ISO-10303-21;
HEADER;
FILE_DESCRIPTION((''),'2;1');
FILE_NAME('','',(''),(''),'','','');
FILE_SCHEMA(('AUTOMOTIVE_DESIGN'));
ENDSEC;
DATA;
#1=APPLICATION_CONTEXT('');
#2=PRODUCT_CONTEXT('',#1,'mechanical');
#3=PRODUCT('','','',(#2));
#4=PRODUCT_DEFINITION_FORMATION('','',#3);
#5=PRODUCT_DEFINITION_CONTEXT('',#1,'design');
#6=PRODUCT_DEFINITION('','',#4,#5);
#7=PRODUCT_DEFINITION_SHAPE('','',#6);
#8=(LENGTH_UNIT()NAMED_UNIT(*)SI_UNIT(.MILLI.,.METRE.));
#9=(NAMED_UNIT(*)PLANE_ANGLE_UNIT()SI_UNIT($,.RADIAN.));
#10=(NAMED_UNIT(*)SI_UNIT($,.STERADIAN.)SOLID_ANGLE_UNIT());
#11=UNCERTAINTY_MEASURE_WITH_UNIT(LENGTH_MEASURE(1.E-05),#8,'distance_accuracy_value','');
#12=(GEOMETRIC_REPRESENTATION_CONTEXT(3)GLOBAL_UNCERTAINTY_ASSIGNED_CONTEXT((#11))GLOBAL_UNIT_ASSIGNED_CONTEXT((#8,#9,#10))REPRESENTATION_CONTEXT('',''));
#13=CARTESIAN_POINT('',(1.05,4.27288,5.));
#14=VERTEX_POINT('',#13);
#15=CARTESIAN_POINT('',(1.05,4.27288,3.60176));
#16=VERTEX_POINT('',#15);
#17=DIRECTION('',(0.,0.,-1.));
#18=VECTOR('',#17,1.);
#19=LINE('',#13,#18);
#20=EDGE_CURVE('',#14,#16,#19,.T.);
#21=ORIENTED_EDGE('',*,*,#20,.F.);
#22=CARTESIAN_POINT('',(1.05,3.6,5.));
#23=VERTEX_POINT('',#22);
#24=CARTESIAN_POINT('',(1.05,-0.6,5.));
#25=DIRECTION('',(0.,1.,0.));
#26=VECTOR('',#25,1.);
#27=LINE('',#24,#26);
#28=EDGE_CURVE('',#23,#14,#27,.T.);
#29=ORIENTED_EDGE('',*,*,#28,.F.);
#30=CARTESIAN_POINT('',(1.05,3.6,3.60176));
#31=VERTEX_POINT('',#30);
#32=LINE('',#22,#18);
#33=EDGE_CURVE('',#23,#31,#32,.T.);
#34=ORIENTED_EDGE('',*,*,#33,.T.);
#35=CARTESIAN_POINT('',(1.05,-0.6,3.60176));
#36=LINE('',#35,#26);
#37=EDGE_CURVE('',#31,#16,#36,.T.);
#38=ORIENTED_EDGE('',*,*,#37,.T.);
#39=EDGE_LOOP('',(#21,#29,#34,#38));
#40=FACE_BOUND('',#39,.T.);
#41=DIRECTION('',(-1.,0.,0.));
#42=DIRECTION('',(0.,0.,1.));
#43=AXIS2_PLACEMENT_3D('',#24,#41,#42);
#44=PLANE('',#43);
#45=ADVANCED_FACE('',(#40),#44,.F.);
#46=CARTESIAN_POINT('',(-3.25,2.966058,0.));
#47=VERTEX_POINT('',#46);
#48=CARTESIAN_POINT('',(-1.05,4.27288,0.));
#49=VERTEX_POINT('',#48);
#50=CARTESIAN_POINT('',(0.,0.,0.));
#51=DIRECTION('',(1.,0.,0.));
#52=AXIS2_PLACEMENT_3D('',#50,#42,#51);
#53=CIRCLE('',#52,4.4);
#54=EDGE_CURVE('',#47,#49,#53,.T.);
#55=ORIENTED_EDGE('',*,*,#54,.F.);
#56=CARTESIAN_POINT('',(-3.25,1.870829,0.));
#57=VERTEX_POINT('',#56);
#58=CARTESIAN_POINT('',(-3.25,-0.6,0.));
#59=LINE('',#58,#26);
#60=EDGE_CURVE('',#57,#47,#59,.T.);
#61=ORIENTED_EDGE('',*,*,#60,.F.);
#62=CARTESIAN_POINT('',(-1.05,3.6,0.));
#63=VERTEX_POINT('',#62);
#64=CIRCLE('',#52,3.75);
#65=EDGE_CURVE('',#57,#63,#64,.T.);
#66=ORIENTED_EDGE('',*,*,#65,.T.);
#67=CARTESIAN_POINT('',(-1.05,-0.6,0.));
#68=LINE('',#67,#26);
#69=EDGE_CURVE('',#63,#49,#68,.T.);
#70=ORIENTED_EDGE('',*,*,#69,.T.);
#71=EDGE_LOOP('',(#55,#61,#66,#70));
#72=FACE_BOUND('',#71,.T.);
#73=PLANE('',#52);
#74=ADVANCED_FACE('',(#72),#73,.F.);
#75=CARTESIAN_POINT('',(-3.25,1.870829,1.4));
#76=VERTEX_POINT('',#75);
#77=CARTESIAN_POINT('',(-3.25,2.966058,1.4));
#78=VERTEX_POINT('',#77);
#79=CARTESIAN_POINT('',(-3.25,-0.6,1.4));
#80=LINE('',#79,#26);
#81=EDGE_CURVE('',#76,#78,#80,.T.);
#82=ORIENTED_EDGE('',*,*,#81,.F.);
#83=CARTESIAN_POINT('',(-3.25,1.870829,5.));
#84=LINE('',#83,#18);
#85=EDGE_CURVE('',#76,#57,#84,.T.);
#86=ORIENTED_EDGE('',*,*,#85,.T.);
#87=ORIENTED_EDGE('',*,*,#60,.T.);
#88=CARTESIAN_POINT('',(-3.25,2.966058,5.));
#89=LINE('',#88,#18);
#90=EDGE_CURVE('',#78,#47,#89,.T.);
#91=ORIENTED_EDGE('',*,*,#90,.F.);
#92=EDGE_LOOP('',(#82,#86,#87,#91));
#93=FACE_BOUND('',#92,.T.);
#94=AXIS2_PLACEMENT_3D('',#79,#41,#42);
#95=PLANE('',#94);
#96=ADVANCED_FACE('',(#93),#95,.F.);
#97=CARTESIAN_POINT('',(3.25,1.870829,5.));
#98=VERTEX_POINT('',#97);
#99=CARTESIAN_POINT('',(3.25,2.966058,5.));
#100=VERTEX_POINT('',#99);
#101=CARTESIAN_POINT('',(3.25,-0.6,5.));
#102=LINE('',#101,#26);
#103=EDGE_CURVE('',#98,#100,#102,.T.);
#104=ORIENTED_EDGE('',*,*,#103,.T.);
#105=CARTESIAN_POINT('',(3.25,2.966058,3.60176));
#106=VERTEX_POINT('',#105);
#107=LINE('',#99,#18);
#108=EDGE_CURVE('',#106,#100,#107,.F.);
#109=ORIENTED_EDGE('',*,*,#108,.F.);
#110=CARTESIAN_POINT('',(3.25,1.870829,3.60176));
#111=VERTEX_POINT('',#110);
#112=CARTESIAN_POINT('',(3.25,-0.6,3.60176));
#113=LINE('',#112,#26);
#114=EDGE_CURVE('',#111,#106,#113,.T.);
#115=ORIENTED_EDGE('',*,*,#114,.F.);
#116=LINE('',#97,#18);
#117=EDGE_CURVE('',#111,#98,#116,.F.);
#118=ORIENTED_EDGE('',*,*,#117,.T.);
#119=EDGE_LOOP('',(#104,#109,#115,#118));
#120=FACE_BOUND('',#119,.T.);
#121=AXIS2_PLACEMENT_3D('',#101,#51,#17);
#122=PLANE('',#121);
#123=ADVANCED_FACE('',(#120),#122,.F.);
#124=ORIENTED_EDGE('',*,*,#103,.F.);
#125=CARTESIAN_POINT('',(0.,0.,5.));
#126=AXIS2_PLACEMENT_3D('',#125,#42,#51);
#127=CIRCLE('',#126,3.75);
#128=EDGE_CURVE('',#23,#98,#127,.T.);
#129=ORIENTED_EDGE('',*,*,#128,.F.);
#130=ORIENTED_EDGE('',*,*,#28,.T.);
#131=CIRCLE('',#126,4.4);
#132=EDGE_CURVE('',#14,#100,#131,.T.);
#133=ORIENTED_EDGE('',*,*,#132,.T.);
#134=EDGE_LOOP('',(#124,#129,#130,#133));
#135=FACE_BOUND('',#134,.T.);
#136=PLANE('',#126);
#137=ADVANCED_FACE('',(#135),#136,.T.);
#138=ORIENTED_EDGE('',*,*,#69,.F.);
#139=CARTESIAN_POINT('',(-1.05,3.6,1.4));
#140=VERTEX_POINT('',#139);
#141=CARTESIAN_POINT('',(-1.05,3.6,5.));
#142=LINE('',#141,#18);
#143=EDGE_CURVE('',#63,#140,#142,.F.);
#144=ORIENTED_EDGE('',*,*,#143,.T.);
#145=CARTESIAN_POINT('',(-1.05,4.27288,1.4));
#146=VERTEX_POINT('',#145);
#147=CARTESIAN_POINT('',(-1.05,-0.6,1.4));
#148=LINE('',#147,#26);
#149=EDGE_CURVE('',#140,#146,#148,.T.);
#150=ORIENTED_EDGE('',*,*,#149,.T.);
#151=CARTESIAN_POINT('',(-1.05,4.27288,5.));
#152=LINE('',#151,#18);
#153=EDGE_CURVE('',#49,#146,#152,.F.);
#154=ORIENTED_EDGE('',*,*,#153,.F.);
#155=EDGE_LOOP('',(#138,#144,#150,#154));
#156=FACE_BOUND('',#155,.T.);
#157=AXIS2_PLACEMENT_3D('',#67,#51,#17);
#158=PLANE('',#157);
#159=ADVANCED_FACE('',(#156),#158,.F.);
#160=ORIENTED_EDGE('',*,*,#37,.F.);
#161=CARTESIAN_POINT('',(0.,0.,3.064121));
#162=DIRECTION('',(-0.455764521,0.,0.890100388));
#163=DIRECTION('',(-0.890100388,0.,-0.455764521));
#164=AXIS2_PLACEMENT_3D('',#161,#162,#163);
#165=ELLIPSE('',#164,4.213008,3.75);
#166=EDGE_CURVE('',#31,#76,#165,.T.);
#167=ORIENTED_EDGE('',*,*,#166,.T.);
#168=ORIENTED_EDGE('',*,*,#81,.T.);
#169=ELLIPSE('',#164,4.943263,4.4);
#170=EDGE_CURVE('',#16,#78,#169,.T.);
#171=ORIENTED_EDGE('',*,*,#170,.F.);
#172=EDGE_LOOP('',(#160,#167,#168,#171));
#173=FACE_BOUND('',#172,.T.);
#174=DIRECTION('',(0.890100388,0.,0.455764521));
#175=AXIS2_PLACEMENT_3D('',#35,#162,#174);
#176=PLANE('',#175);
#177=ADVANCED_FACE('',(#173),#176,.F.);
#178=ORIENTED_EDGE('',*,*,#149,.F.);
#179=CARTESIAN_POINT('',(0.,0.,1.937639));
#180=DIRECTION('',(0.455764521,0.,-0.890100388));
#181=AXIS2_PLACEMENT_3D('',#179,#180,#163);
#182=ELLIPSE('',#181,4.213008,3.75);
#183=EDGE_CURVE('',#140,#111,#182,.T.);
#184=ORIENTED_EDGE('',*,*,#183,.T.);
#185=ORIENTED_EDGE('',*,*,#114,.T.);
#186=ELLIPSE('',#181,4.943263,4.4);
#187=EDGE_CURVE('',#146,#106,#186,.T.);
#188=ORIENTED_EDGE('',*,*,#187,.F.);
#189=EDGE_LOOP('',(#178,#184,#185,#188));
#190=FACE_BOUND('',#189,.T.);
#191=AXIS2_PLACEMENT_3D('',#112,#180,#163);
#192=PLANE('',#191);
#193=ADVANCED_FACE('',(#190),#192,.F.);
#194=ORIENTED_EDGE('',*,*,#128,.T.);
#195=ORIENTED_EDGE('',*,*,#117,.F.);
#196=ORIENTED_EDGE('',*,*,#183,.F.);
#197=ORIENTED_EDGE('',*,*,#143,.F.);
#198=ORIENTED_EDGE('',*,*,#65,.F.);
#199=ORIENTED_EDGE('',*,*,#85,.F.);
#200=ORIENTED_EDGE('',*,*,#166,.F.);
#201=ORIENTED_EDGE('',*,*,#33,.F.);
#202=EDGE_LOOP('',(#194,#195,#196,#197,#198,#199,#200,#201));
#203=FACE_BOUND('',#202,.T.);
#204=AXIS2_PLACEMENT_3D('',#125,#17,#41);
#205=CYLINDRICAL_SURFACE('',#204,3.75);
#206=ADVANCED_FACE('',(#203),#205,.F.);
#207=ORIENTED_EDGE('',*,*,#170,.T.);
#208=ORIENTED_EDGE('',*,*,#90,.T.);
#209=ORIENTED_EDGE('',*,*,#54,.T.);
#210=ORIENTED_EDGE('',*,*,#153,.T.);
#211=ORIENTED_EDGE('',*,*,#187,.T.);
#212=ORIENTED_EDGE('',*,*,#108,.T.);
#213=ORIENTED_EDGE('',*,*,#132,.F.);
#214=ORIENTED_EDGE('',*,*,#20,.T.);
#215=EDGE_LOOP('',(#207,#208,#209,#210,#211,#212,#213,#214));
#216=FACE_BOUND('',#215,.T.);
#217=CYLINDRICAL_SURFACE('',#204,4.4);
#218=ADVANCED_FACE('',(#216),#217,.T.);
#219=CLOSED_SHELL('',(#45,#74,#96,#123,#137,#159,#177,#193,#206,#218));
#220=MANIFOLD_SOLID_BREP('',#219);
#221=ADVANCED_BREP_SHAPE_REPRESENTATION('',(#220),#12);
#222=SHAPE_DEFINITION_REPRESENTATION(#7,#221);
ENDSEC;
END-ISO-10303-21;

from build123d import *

# Parameters (mm, degrees)
SKETCH2_R           = 4.4
SKETCH2_R_2         = 3.75
BOSS_EXTRUDE1_DEPTH = 5
CUT_EXTRUDE1_DEPTH  = 5


with BuildPart() as part:
    # Sketch2 → Boss-Extrude1 (new body)
    with BuildSketch(Plane.XY):
        Circle(SKETCH2_R)
        Circle(SKETCH2_R_2, mode=Mode.SUBTRACT)
    extrude(amount=BOSS_EXTRUDE1_DEPTH)

    # Sketch3 → Cut-Extrude1 (cut)
    with BuildSketch(Plane(origin=(0, 4.4, 0), x_dir=(1, 0, 0), z_dir=(0, 1, 0))):
        Polygon((1.05, -5), (3.25, -5), (3.25, -3.60176001), (-1.05, -1.4), (-1.05, 0), (-3.25, 0), (-3.25, -1.4), (1.05, -3.60176001), align=None)
    extrude(amount=-CUT_EXTRUDE1_DEPTH, mode=Mode.SUBTRACT)


solid = part.part
